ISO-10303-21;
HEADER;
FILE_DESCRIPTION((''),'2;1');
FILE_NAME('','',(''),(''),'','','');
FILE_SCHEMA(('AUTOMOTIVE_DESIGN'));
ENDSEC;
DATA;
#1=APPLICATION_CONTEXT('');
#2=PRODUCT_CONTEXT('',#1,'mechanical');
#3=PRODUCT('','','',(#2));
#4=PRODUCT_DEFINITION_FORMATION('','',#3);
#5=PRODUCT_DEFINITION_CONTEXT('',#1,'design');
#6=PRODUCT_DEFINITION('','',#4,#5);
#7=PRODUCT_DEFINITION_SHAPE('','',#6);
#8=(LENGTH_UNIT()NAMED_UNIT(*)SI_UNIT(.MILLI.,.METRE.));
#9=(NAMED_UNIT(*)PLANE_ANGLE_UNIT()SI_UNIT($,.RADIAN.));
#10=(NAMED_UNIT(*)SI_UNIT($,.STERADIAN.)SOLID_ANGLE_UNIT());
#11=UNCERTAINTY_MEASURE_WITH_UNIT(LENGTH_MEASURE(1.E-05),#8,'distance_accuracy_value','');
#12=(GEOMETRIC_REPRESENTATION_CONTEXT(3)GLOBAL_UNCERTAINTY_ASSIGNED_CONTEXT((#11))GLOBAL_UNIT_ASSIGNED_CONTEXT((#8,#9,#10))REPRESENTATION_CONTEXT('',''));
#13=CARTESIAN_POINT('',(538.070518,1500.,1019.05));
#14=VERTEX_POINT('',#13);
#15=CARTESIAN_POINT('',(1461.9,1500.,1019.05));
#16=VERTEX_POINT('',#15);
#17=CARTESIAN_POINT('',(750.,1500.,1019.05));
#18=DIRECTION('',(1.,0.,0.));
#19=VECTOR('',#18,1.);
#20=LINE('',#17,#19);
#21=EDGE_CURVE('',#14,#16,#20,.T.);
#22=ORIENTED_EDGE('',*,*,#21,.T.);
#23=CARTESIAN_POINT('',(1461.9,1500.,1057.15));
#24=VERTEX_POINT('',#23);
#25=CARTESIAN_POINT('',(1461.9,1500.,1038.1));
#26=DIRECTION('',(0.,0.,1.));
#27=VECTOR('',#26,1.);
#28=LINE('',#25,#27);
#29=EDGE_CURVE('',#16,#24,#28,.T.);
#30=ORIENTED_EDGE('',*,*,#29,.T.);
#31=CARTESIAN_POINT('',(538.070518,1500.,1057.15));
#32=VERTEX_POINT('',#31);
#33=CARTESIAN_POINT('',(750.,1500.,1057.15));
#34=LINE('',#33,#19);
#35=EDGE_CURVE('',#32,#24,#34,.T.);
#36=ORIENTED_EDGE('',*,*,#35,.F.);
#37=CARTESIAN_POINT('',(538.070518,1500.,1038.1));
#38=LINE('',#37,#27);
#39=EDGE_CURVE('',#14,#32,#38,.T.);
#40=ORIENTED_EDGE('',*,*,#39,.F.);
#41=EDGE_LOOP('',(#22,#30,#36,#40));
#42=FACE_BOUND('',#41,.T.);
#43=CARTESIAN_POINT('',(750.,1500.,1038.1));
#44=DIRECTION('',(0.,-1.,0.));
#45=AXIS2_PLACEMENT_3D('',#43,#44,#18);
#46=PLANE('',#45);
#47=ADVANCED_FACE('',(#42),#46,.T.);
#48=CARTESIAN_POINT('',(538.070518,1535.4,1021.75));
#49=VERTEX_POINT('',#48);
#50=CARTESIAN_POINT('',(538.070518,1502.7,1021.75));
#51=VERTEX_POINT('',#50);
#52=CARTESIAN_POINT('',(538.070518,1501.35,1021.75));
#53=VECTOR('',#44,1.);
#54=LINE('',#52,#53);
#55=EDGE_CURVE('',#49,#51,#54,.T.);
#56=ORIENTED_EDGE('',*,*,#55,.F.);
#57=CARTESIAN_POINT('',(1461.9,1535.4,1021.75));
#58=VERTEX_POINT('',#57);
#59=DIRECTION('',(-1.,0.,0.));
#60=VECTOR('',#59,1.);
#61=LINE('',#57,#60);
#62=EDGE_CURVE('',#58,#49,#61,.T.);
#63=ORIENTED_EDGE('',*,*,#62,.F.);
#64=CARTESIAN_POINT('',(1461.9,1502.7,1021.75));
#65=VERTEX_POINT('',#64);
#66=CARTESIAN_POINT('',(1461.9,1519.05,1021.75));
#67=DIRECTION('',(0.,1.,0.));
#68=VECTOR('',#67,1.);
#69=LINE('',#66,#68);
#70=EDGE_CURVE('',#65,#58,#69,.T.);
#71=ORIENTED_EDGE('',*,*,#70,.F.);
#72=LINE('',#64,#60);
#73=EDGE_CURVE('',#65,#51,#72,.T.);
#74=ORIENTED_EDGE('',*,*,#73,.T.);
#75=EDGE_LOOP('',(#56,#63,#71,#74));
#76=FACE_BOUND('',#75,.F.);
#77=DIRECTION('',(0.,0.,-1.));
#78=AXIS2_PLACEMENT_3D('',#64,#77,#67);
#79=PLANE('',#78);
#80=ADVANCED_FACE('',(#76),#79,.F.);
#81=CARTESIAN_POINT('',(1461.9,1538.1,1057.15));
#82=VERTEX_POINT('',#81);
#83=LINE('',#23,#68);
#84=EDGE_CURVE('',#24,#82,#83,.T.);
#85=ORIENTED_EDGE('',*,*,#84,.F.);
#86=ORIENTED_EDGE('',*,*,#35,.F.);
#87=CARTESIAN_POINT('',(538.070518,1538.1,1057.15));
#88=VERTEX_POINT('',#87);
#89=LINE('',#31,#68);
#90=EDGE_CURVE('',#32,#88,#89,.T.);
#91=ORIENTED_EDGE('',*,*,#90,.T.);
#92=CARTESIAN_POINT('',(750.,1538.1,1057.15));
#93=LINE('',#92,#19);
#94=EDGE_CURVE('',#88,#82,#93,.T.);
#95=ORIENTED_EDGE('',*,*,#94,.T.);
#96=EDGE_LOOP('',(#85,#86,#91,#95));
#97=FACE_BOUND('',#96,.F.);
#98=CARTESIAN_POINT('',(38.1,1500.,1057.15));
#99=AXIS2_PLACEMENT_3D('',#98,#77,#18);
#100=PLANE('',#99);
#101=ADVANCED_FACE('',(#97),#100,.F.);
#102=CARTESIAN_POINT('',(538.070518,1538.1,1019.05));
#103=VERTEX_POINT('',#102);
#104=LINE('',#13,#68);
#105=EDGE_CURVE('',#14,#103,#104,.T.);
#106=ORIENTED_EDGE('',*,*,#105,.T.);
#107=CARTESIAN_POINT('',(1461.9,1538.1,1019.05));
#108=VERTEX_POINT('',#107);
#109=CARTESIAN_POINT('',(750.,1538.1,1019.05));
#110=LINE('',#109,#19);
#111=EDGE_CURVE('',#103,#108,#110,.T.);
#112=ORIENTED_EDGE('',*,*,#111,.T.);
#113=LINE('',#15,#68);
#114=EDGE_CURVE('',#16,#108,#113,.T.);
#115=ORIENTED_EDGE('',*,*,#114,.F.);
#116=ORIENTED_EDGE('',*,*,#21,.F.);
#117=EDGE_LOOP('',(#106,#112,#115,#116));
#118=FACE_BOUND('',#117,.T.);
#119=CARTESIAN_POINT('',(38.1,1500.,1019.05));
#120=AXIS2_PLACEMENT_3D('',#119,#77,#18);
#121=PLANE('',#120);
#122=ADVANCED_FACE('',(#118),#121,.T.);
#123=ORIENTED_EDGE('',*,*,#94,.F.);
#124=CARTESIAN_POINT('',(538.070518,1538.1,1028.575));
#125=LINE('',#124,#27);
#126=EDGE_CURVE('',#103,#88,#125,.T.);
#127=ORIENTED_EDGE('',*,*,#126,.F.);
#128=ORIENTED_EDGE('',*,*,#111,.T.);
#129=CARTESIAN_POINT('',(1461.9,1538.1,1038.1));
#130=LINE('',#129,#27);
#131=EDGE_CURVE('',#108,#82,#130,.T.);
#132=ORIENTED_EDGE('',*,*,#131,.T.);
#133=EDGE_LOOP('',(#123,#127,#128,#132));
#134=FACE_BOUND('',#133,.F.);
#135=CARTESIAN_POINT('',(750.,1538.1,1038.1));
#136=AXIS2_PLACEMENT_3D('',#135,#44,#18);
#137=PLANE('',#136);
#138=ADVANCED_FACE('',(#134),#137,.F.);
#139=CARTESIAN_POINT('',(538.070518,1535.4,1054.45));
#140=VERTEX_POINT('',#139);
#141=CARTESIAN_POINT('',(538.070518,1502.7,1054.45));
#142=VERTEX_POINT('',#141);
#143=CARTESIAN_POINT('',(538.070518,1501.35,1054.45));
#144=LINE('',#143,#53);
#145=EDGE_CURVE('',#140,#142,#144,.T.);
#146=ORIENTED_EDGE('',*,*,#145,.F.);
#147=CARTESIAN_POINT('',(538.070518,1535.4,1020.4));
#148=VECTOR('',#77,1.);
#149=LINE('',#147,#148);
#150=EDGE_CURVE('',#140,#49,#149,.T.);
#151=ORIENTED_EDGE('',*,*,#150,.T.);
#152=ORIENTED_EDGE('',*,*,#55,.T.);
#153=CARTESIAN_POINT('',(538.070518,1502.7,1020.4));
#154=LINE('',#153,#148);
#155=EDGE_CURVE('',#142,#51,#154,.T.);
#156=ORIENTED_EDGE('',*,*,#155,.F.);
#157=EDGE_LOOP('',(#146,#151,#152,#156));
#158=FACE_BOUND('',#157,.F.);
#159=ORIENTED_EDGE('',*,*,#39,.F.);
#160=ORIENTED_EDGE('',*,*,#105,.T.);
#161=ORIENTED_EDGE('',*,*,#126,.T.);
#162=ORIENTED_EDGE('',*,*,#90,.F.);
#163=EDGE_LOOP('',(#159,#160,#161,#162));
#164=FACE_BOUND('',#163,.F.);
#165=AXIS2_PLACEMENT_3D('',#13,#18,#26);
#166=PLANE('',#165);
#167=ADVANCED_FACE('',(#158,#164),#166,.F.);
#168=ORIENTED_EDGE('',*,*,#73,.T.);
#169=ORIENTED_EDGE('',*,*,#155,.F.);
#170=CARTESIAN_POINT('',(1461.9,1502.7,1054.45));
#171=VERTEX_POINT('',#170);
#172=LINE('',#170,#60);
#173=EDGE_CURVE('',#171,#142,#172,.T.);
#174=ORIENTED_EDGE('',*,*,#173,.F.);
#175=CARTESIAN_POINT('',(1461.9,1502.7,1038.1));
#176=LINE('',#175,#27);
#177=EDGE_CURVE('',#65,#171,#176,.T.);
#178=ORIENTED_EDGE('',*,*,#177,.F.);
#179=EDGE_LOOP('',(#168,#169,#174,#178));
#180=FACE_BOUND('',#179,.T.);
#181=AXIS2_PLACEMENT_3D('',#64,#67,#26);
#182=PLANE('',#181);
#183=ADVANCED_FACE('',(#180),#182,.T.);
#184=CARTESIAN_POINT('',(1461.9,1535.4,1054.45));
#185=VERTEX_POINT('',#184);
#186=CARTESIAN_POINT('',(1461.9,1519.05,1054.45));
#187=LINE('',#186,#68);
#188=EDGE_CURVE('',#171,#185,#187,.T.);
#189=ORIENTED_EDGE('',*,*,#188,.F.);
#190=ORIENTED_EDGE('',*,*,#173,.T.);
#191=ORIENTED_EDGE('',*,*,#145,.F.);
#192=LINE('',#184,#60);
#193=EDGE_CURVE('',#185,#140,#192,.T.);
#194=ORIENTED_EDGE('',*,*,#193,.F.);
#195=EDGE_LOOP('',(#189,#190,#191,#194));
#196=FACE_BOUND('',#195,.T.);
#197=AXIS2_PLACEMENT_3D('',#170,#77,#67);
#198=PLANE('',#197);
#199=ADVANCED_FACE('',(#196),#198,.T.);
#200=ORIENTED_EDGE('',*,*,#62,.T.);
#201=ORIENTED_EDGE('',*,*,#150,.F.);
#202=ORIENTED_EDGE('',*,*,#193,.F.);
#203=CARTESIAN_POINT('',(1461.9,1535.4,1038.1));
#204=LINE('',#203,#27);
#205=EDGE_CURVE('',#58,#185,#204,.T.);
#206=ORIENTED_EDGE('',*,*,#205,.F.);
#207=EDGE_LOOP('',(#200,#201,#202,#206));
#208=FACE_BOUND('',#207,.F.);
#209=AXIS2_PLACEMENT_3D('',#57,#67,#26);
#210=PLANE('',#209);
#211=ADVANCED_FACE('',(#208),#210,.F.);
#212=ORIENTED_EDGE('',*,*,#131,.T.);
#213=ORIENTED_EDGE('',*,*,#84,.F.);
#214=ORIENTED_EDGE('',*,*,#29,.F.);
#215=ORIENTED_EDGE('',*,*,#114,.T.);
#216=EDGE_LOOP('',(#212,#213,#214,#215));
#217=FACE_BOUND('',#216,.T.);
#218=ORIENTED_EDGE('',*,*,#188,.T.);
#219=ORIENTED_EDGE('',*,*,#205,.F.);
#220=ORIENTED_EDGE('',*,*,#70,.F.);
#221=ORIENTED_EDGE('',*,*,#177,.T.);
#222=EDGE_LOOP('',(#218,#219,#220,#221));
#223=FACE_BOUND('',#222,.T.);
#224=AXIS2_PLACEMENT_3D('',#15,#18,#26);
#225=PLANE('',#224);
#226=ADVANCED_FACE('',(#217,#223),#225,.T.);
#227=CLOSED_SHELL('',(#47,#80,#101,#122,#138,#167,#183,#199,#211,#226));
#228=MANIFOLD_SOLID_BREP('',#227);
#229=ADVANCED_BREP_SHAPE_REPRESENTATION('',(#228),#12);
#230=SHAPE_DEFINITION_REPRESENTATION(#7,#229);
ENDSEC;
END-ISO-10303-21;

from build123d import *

# Parameters (mm, degrees)
SKETCH024_W     = 1423.8
SKETCH024_H     = 38.1
PAD012_DEPTH    = 38.1
SKETCH025_W     = 32.7
SKETCH025_H     = 32.7
POCKET009_DEPTH = 1423.801
SKETCH030_W     = 499.970518
SKETCH030_H     = 38.1
POCKET011_DEPTH = 38.101


with BuildPart() as part:
    # Sketch024 (on Face1 of Binder005) → Pad012 (new body)
    with BuildSketch(Plane.XZ.offset(38.1)):
        with Locations((750, 1038.1)):
            Rectangle(SKETCH024_W, SKETCH024_H)
    extrude(amount=-PAD012_DEPTH)

    # Sketch025 (on Face1 of Pad012) → Pocket009 (cut, through all)
    with BuildSketch(Plane.YZ.offset(1461.9)):
        with Locations((-19.05, 1038.1)):
            Rectangle(SKETCH025_W, SKETCH025_H)
    extrude(amount=-POCKET009_DEPTH, mode=Mode.SUBTRACT)

    # Sketch030 (on Face3 of Pocket009) → Pocket011 (cut, through all)
    with BuildSketch(Plane.XZ.offset(38.1)):
        with Locations((288.085259, 1038.1)):
            Rectangle(SKETCH030_W, SKETCH030_H)
    extrude(amount=-POCKET011_DEPTH, mode=Mode.SUBTRACT)


with BuildPart() as part_1:
    # Body012 placement: moved
    add(part.part.moved(Location((0, 1538.1, 0))))


solid = part_1.part
